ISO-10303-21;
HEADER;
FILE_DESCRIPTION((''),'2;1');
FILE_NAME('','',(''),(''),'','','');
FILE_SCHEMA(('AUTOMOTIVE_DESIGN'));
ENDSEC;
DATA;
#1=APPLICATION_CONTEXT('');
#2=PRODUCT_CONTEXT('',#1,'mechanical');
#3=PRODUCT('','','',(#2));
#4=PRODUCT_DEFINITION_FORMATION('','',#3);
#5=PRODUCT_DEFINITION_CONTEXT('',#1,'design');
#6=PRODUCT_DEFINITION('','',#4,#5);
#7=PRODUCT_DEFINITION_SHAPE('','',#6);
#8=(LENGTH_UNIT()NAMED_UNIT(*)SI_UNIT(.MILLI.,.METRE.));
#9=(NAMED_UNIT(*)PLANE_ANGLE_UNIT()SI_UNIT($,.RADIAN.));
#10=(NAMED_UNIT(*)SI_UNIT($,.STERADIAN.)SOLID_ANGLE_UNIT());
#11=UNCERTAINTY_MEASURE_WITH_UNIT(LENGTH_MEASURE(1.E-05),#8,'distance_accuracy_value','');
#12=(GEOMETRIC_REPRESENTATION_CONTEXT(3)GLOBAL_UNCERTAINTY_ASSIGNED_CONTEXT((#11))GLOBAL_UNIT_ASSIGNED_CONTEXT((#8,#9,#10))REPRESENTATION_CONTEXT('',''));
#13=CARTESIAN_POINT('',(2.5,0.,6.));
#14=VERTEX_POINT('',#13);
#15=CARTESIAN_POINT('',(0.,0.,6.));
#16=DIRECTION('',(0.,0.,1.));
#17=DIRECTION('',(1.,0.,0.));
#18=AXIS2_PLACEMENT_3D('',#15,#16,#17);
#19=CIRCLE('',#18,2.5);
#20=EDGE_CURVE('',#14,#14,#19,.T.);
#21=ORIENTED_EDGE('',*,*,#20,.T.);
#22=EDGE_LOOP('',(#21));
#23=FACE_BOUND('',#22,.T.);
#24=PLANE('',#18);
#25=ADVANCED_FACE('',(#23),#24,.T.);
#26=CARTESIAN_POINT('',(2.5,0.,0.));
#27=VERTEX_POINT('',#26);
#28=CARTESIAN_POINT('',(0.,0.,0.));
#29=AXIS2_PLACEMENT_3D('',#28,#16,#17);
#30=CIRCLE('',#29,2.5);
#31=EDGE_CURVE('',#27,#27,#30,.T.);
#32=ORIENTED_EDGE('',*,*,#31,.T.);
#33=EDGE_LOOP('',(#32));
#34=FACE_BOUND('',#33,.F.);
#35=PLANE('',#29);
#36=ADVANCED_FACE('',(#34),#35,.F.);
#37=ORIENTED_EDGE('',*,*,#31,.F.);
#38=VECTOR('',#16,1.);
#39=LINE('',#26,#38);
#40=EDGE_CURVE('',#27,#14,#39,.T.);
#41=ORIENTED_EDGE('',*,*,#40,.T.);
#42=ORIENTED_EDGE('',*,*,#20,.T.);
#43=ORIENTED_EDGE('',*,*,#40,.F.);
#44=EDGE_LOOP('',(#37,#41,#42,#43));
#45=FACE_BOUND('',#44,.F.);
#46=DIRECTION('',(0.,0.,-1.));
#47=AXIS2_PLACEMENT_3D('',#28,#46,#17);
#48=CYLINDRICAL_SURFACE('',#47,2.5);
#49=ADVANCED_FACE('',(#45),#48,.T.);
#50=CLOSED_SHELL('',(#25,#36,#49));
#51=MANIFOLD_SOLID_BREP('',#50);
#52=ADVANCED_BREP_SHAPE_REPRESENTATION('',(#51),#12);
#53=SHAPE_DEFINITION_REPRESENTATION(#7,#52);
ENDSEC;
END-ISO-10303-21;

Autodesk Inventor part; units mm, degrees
ref_plane "YZ Plane" through (0, 0, 0) normal (1, 0, 0) x (0, 1, 0)
ref_plane "XZ Plane" through (0, 0, 0) normal (0, 1, 0) x (-1, 0, 0)
ref_plane "XY Plane" through (0, 0, 0) normal (0, 0, 1) x (1, 0, 0)
sketch "Sketch1" plane through (0, 0, 0) normal (0, 0, 1) x (1, 0, 0)
  circle A0 centre (0, 0) radius 2.5
  dimension "d0" = 5
extrude "Extrusion1" add sketch "Sketch1" along normal blind 6
properties part number "spring_hold_p1"
